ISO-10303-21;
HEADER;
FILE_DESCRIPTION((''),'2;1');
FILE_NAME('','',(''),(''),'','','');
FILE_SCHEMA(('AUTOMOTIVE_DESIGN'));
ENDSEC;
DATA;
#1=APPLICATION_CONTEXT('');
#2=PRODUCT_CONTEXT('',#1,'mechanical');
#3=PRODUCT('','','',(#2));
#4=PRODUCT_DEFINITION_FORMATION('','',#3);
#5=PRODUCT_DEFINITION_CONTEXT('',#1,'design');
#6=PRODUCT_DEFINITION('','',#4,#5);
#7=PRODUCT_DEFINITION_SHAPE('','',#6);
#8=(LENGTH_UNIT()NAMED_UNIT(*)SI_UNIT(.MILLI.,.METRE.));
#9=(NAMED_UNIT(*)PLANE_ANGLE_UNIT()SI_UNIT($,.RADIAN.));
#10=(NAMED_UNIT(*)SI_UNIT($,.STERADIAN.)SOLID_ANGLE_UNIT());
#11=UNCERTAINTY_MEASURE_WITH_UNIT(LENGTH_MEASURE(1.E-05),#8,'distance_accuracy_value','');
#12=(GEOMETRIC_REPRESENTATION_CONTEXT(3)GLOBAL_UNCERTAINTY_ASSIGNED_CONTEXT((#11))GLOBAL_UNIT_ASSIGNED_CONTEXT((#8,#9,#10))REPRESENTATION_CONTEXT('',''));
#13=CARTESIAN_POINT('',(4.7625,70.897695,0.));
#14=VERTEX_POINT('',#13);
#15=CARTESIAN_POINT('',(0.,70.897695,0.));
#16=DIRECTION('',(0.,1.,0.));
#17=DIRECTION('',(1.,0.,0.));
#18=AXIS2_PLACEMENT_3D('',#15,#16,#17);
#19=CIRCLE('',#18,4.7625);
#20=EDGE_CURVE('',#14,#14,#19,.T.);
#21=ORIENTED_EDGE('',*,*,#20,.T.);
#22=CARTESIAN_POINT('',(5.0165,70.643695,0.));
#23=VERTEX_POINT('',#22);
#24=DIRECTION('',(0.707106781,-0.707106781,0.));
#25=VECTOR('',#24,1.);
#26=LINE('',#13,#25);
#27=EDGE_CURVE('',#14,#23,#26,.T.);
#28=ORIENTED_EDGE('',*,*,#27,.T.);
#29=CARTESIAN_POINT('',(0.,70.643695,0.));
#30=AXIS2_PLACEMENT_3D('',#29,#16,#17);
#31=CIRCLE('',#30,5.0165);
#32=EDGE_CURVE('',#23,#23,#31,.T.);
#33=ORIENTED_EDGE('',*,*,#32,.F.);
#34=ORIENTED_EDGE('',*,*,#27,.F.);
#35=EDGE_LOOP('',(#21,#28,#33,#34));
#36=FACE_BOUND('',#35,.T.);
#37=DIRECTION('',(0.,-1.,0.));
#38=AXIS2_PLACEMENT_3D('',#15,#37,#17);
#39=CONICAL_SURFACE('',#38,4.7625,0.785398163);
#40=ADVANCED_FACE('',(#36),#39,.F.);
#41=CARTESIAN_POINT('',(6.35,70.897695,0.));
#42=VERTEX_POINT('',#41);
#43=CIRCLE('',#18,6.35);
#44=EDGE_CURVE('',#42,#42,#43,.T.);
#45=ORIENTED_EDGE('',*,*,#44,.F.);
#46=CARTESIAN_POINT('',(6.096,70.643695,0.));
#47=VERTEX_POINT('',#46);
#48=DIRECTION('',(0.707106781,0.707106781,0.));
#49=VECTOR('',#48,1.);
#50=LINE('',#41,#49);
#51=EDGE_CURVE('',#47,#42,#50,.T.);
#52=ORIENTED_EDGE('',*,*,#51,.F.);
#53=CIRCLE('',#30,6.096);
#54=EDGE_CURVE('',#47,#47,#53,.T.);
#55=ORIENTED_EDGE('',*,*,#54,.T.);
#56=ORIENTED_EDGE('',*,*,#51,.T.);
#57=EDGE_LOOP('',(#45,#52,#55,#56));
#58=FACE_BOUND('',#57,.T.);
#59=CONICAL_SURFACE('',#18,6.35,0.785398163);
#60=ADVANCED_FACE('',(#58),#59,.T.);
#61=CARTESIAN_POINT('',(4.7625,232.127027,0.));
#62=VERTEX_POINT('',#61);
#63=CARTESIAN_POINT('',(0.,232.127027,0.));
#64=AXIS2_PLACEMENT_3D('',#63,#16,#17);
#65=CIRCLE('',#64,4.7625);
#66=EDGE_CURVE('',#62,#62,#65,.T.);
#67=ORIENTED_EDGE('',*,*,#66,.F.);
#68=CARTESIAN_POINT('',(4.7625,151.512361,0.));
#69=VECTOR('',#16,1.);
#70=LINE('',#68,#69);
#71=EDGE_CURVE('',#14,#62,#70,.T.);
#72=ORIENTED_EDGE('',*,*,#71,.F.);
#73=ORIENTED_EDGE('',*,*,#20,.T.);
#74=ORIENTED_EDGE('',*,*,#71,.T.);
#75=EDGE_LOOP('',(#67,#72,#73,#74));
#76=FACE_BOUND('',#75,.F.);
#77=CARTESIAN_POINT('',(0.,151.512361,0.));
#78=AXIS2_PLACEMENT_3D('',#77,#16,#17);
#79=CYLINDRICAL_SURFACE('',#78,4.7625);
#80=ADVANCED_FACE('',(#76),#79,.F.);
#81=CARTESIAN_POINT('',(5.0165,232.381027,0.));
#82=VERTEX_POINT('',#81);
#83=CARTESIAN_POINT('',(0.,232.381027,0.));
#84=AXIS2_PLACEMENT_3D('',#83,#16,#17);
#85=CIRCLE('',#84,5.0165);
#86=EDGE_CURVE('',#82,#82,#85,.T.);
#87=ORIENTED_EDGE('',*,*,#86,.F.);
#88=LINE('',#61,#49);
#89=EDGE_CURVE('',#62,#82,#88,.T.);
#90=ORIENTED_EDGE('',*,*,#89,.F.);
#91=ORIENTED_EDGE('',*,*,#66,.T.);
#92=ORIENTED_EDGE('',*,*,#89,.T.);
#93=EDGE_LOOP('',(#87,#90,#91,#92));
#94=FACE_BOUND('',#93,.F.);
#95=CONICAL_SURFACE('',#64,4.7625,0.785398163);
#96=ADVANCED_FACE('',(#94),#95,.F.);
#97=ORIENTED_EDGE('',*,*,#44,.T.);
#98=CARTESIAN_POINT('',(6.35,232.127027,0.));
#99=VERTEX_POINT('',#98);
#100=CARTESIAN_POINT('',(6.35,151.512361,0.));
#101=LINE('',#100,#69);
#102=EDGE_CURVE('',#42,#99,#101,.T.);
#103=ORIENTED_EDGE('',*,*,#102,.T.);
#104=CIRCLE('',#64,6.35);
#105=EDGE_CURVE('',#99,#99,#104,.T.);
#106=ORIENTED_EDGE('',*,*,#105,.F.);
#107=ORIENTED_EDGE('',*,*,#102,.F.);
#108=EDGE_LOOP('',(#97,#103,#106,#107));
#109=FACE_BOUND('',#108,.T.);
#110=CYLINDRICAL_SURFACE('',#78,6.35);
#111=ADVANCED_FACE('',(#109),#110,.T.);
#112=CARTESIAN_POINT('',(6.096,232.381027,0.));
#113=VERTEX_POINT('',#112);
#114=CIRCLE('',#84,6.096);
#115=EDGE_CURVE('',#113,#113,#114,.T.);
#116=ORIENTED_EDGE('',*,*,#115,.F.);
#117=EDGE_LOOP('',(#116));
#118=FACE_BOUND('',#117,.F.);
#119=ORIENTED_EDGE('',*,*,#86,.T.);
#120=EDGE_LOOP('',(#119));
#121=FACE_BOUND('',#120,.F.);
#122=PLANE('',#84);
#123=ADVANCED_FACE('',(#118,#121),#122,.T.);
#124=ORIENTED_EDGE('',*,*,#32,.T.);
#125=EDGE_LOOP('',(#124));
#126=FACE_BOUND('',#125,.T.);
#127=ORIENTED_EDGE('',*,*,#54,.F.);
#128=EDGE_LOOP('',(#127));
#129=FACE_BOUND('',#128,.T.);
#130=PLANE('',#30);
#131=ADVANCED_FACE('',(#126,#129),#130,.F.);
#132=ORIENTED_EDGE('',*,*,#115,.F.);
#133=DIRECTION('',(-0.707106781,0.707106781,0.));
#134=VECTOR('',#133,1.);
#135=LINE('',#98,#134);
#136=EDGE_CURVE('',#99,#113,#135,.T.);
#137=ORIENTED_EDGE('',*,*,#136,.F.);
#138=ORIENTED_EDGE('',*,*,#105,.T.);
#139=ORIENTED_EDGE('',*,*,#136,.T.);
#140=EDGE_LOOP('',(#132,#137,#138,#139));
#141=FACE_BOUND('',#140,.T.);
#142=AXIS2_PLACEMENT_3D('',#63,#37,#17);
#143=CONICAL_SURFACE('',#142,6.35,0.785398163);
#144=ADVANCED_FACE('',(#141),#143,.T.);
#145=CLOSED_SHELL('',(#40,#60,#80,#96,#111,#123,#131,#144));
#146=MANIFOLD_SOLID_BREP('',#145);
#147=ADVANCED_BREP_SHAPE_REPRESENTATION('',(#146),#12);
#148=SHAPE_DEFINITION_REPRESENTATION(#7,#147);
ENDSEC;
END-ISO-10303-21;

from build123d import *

# Parameters (mm, degrees)
SKETCH1_W     = 1.5875
SKETCH1_H     = 161.737331671
CHAMFER1_SIZE = 0.254


with BuildPart() as part:
    # Sketch1 → Revolve1 (revolve)
    with BuildSketch(Plane.XY):
        with Locations((5.55625, 151.512360801)):
            Rectangle(SKETCH1_W, SKETCH1_H)
    revolve(axis=Axis((0, 61.118694965, 0), (0, 1, 0)))

    # Chamfer1
    chamfer1_edges = [part.edges().sort_by_distance(p)[0] for p in [
        (-6.35, 70.643694965, 0),
        (-6.35, 232.381026636, 0),
        (-4.7625, 232.381026636, 0),
        (-4.7625, 70.643694965, 0),
    ]]
    chamfer(chamfer1_edges, length=CHAMFER1_SIZE)


solid = part.part
